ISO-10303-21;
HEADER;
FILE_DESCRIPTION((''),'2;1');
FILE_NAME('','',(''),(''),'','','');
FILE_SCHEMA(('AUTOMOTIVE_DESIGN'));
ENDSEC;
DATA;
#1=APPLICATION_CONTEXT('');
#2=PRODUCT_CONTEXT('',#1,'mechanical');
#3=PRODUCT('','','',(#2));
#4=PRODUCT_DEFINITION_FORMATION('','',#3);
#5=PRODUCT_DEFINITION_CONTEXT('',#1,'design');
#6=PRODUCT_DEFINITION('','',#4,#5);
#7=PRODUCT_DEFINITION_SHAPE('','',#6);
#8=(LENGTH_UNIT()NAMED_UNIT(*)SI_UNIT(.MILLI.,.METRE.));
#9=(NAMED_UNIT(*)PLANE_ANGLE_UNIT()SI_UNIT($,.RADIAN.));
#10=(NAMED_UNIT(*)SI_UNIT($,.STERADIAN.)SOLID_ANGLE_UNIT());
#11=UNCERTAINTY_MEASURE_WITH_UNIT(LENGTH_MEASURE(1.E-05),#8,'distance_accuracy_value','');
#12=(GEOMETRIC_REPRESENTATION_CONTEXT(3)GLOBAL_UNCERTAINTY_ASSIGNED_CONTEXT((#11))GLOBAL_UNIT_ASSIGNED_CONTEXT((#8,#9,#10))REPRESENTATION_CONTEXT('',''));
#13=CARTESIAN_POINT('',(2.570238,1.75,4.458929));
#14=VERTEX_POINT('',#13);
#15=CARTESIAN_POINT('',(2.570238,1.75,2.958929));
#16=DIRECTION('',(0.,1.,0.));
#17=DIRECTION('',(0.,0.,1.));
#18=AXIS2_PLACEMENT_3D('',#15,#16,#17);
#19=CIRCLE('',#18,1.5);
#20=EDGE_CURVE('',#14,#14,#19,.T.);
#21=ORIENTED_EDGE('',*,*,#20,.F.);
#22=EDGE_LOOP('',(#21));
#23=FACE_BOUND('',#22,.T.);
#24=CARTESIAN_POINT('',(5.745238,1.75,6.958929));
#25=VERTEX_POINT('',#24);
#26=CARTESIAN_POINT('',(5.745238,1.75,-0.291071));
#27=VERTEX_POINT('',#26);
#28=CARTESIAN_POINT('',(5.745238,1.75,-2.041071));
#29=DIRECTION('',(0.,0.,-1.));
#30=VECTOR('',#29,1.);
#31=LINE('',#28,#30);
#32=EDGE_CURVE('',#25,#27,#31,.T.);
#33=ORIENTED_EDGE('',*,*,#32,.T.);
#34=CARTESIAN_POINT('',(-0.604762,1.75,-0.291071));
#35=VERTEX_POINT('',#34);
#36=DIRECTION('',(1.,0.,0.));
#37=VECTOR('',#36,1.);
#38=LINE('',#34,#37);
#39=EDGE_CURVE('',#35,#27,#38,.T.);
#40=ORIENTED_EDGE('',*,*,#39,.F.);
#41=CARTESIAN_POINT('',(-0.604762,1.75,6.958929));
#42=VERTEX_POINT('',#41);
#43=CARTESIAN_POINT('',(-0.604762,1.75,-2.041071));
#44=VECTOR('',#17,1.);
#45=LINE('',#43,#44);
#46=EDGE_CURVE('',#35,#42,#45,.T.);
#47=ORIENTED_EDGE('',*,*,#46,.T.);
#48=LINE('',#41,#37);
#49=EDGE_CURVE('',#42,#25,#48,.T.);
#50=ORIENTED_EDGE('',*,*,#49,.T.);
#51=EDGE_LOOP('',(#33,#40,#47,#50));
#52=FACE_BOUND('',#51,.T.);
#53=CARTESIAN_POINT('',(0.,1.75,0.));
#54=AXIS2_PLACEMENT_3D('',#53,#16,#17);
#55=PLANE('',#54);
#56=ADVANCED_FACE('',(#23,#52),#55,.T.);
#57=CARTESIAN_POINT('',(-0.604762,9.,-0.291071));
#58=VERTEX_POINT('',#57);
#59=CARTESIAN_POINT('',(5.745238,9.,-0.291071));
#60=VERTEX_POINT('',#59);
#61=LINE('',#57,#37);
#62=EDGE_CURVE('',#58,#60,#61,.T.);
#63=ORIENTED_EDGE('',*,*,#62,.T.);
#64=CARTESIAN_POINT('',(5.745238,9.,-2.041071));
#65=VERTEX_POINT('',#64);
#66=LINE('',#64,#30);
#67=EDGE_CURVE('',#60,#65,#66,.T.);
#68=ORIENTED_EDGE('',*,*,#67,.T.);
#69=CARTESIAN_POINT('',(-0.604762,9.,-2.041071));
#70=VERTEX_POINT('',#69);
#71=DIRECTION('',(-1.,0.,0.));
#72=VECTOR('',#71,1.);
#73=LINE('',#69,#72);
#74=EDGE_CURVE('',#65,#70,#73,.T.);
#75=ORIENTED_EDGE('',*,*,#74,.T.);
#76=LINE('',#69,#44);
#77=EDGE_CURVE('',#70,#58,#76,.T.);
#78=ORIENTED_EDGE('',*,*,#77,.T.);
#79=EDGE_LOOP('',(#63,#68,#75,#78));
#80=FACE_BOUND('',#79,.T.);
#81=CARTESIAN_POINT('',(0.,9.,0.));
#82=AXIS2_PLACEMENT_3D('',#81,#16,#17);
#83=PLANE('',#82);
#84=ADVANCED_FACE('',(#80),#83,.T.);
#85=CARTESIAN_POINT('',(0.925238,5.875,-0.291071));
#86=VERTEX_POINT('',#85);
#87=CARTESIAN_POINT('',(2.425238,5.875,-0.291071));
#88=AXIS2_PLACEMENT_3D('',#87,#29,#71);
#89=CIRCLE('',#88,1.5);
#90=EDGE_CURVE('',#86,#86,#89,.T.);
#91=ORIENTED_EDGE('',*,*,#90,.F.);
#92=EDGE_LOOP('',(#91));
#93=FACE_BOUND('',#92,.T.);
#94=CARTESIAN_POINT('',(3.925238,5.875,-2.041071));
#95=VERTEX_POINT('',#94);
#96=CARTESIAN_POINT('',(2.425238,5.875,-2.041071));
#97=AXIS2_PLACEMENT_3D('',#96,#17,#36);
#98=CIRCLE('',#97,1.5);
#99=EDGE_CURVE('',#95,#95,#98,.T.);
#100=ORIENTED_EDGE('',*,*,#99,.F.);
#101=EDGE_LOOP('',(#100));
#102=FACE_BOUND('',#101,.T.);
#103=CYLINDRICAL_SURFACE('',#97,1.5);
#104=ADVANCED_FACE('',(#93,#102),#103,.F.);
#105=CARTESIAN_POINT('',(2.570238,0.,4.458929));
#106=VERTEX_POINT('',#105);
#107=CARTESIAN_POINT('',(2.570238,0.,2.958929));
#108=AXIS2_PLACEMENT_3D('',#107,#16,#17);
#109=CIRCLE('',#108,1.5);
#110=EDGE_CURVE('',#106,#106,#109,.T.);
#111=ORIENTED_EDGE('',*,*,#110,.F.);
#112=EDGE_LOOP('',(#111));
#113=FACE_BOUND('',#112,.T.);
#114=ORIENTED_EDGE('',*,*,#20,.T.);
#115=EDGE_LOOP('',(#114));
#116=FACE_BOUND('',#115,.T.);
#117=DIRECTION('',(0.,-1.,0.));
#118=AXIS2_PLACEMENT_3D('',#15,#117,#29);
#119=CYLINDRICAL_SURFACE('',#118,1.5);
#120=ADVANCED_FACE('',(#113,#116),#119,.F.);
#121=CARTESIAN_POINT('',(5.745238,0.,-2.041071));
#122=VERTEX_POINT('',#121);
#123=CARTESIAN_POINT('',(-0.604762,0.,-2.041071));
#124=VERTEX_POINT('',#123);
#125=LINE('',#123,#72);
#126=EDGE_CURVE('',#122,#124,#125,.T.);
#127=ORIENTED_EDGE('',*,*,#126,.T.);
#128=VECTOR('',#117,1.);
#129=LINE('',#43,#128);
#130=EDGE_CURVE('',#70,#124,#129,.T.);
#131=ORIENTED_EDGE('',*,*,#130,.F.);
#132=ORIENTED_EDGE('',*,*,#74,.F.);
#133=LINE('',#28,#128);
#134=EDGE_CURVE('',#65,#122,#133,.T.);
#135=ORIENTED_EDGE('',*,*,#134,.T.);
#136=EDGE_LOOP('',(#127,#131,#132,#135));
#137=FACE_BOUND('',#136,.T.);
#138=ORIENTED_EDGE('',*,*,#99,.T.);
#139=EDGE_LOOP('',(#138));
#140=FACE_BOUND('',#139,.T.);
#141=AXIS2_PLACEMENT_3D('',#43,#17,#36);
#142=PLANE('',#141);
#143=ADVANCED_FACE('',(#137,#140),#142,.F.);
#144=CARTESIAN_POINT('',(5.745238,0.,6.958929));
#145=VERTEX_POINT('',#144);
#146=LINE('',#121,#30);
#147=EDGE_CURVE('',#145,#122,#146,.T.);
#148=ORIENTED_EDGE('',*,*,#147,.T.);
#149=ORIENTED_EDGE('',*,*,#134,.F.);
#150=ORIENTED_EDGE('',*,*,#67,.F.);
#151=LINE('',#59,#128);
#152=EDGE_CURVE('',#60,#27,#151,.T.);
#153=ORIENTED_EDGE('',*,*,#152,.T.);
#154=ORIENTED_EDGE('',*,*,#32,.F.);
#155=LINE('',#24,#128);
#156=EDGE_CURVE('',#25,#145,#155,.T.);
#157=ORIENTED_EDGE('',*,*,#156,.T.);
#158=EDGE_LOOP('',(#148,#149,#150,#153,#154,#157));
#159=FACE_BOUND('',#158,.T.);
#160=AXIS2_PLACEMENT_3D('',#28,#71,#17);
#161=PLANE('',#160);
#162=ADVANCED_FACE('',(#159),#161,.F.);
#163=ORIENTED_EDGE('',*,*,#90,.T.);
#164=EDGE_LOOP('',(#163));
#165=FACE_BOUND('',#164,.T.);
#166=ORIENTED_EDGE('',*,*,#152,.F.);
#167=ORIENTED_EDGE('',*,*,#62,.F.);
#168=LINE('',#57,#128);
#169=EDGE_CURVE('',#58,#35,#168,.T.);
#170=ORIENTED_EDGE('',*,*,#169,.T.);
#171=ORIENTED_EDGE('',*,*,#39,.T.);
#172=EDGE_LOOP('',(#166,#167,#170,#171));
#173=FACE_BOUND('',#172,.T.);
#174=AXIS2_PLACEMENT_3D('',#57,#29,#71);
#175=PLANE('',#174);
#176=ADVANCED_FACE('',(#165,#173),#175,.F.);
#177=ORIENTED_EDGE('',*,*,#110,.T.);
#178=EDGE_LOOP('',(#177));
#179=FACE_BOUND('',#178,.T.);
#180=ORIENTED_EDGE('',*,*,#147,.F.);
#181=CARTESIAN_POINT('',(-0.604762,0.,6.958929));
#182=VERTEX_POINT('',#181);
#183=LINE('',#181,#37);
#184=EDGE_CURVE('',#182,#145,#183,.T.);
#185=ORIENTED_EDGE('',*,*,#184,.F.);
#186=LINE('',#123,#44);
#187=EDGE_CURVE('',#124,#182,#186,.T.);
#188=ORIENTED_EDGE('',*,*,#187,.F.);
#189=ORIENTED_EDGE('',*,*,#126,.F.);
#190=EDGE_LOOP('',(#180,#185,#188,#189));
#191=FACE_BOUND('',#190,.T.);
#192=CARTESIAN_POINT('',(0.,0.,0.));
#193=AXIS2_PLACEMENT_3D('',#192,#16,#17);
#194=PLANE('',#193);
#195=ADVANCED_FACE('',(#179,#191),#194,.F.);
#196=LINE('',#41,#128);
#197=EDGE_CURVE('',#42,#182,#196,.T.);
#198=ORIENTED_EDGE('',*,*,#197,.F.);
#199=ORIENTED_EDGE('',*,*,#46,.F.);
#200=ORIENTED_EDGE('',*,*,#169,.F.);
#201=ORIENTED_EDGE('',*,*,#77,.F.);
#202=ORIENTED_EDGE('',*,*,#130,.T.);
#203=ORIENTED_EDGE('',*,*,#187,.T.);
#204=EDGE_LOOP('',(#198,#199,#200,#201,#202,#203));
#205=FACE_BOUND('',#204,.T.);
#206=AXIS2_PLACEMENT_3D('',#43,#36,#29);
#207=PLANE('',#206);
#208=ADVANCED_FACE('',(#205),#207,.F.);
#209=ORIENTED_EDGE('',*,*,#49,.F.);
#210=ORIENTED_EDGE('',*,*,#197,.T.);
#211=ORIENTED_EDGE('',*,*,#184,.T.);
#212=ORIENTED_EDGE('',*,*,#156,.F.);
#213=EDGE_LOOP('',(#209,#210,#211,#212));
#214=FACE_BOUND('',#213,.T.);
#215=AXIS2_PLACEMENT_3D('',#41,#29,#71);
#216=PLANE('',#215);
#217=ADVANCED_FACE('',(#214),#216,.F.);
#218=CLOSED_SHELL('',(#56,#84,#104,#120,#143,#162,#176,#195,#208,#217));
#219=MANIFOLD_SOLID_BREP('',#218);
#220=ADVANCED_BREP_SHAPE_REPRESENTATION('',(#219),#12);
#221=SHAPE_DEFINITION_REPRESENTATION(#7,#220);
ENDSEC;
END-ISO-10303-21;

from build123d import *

# Parameters (mm, degrees)
SKETCH1_W               = 6.35
SKETCH1_H               = 9
SKETCH1_R               = 1.5
BOSS_EXTRUDE1_DEPTH     = 1.75
SKETCH2_W               = 6.35
SKETCH2_H               = 1.75
BOSS_EXTRUDE2_DEPTH     = 7.25
SKETCH3_R               = 1.5
CUT_EXTRUDE1_DEPTH      = 8.25
CUT_EXTRUDE1_DEPTH_BACK = 2.75


with BuildPart() as part:
    # Sketch1 → Boss-Extrude1 (new body)
    with BuildSketch(Plane(origin=(0, 0, 0), x_dir=(1, 0, 0), z_dir=(0, 1, 0))):
        with Locations((2.570238095, -2.458928571)):
            Rectangle(SKETCH1_W, SKETCH1_H)
        with Locations((2.570238095, -2.958928571)):
            Circle(SKETCH1_R, mode=Mode.SUBTRACT)
    extrude(amount=BOSS_EXTRUDE1_DEPTH)

    # Sketch2 → Boss-Extrude2 (add)
    with BuildSketch(Plane(origin=(0, 1.75, 0), x_dir=(1, 0, 0), z_dir=(0, 1, 0))):
        with Locations((2.570238095, 1.166071429)):
            Rectangle(SKETCH2_W, SKETCH2_H)
    extrude(amount=BOSS_EXTRUDE2_DEPTH)

    # Sketch3 → Cut-Extrude1 (cut, two sides)
    with BuildSketch(Plane.XY.offset(-0.291071429)) as cut_extrude1_sk:
        with Locations((2.425238095, 5.875)):
            Circle(SKETCH3_R)
    extrude(amount=CUT_EXTRUDE1_DEPTH, mode=Mode.SUBTRACT)
    extrude(cut_extrude1_sk.sketch, amount=-CUT_EXTRUDE1_DEPTH_BACK, mode=Mode.SUBTRACT)


solid = part.part
